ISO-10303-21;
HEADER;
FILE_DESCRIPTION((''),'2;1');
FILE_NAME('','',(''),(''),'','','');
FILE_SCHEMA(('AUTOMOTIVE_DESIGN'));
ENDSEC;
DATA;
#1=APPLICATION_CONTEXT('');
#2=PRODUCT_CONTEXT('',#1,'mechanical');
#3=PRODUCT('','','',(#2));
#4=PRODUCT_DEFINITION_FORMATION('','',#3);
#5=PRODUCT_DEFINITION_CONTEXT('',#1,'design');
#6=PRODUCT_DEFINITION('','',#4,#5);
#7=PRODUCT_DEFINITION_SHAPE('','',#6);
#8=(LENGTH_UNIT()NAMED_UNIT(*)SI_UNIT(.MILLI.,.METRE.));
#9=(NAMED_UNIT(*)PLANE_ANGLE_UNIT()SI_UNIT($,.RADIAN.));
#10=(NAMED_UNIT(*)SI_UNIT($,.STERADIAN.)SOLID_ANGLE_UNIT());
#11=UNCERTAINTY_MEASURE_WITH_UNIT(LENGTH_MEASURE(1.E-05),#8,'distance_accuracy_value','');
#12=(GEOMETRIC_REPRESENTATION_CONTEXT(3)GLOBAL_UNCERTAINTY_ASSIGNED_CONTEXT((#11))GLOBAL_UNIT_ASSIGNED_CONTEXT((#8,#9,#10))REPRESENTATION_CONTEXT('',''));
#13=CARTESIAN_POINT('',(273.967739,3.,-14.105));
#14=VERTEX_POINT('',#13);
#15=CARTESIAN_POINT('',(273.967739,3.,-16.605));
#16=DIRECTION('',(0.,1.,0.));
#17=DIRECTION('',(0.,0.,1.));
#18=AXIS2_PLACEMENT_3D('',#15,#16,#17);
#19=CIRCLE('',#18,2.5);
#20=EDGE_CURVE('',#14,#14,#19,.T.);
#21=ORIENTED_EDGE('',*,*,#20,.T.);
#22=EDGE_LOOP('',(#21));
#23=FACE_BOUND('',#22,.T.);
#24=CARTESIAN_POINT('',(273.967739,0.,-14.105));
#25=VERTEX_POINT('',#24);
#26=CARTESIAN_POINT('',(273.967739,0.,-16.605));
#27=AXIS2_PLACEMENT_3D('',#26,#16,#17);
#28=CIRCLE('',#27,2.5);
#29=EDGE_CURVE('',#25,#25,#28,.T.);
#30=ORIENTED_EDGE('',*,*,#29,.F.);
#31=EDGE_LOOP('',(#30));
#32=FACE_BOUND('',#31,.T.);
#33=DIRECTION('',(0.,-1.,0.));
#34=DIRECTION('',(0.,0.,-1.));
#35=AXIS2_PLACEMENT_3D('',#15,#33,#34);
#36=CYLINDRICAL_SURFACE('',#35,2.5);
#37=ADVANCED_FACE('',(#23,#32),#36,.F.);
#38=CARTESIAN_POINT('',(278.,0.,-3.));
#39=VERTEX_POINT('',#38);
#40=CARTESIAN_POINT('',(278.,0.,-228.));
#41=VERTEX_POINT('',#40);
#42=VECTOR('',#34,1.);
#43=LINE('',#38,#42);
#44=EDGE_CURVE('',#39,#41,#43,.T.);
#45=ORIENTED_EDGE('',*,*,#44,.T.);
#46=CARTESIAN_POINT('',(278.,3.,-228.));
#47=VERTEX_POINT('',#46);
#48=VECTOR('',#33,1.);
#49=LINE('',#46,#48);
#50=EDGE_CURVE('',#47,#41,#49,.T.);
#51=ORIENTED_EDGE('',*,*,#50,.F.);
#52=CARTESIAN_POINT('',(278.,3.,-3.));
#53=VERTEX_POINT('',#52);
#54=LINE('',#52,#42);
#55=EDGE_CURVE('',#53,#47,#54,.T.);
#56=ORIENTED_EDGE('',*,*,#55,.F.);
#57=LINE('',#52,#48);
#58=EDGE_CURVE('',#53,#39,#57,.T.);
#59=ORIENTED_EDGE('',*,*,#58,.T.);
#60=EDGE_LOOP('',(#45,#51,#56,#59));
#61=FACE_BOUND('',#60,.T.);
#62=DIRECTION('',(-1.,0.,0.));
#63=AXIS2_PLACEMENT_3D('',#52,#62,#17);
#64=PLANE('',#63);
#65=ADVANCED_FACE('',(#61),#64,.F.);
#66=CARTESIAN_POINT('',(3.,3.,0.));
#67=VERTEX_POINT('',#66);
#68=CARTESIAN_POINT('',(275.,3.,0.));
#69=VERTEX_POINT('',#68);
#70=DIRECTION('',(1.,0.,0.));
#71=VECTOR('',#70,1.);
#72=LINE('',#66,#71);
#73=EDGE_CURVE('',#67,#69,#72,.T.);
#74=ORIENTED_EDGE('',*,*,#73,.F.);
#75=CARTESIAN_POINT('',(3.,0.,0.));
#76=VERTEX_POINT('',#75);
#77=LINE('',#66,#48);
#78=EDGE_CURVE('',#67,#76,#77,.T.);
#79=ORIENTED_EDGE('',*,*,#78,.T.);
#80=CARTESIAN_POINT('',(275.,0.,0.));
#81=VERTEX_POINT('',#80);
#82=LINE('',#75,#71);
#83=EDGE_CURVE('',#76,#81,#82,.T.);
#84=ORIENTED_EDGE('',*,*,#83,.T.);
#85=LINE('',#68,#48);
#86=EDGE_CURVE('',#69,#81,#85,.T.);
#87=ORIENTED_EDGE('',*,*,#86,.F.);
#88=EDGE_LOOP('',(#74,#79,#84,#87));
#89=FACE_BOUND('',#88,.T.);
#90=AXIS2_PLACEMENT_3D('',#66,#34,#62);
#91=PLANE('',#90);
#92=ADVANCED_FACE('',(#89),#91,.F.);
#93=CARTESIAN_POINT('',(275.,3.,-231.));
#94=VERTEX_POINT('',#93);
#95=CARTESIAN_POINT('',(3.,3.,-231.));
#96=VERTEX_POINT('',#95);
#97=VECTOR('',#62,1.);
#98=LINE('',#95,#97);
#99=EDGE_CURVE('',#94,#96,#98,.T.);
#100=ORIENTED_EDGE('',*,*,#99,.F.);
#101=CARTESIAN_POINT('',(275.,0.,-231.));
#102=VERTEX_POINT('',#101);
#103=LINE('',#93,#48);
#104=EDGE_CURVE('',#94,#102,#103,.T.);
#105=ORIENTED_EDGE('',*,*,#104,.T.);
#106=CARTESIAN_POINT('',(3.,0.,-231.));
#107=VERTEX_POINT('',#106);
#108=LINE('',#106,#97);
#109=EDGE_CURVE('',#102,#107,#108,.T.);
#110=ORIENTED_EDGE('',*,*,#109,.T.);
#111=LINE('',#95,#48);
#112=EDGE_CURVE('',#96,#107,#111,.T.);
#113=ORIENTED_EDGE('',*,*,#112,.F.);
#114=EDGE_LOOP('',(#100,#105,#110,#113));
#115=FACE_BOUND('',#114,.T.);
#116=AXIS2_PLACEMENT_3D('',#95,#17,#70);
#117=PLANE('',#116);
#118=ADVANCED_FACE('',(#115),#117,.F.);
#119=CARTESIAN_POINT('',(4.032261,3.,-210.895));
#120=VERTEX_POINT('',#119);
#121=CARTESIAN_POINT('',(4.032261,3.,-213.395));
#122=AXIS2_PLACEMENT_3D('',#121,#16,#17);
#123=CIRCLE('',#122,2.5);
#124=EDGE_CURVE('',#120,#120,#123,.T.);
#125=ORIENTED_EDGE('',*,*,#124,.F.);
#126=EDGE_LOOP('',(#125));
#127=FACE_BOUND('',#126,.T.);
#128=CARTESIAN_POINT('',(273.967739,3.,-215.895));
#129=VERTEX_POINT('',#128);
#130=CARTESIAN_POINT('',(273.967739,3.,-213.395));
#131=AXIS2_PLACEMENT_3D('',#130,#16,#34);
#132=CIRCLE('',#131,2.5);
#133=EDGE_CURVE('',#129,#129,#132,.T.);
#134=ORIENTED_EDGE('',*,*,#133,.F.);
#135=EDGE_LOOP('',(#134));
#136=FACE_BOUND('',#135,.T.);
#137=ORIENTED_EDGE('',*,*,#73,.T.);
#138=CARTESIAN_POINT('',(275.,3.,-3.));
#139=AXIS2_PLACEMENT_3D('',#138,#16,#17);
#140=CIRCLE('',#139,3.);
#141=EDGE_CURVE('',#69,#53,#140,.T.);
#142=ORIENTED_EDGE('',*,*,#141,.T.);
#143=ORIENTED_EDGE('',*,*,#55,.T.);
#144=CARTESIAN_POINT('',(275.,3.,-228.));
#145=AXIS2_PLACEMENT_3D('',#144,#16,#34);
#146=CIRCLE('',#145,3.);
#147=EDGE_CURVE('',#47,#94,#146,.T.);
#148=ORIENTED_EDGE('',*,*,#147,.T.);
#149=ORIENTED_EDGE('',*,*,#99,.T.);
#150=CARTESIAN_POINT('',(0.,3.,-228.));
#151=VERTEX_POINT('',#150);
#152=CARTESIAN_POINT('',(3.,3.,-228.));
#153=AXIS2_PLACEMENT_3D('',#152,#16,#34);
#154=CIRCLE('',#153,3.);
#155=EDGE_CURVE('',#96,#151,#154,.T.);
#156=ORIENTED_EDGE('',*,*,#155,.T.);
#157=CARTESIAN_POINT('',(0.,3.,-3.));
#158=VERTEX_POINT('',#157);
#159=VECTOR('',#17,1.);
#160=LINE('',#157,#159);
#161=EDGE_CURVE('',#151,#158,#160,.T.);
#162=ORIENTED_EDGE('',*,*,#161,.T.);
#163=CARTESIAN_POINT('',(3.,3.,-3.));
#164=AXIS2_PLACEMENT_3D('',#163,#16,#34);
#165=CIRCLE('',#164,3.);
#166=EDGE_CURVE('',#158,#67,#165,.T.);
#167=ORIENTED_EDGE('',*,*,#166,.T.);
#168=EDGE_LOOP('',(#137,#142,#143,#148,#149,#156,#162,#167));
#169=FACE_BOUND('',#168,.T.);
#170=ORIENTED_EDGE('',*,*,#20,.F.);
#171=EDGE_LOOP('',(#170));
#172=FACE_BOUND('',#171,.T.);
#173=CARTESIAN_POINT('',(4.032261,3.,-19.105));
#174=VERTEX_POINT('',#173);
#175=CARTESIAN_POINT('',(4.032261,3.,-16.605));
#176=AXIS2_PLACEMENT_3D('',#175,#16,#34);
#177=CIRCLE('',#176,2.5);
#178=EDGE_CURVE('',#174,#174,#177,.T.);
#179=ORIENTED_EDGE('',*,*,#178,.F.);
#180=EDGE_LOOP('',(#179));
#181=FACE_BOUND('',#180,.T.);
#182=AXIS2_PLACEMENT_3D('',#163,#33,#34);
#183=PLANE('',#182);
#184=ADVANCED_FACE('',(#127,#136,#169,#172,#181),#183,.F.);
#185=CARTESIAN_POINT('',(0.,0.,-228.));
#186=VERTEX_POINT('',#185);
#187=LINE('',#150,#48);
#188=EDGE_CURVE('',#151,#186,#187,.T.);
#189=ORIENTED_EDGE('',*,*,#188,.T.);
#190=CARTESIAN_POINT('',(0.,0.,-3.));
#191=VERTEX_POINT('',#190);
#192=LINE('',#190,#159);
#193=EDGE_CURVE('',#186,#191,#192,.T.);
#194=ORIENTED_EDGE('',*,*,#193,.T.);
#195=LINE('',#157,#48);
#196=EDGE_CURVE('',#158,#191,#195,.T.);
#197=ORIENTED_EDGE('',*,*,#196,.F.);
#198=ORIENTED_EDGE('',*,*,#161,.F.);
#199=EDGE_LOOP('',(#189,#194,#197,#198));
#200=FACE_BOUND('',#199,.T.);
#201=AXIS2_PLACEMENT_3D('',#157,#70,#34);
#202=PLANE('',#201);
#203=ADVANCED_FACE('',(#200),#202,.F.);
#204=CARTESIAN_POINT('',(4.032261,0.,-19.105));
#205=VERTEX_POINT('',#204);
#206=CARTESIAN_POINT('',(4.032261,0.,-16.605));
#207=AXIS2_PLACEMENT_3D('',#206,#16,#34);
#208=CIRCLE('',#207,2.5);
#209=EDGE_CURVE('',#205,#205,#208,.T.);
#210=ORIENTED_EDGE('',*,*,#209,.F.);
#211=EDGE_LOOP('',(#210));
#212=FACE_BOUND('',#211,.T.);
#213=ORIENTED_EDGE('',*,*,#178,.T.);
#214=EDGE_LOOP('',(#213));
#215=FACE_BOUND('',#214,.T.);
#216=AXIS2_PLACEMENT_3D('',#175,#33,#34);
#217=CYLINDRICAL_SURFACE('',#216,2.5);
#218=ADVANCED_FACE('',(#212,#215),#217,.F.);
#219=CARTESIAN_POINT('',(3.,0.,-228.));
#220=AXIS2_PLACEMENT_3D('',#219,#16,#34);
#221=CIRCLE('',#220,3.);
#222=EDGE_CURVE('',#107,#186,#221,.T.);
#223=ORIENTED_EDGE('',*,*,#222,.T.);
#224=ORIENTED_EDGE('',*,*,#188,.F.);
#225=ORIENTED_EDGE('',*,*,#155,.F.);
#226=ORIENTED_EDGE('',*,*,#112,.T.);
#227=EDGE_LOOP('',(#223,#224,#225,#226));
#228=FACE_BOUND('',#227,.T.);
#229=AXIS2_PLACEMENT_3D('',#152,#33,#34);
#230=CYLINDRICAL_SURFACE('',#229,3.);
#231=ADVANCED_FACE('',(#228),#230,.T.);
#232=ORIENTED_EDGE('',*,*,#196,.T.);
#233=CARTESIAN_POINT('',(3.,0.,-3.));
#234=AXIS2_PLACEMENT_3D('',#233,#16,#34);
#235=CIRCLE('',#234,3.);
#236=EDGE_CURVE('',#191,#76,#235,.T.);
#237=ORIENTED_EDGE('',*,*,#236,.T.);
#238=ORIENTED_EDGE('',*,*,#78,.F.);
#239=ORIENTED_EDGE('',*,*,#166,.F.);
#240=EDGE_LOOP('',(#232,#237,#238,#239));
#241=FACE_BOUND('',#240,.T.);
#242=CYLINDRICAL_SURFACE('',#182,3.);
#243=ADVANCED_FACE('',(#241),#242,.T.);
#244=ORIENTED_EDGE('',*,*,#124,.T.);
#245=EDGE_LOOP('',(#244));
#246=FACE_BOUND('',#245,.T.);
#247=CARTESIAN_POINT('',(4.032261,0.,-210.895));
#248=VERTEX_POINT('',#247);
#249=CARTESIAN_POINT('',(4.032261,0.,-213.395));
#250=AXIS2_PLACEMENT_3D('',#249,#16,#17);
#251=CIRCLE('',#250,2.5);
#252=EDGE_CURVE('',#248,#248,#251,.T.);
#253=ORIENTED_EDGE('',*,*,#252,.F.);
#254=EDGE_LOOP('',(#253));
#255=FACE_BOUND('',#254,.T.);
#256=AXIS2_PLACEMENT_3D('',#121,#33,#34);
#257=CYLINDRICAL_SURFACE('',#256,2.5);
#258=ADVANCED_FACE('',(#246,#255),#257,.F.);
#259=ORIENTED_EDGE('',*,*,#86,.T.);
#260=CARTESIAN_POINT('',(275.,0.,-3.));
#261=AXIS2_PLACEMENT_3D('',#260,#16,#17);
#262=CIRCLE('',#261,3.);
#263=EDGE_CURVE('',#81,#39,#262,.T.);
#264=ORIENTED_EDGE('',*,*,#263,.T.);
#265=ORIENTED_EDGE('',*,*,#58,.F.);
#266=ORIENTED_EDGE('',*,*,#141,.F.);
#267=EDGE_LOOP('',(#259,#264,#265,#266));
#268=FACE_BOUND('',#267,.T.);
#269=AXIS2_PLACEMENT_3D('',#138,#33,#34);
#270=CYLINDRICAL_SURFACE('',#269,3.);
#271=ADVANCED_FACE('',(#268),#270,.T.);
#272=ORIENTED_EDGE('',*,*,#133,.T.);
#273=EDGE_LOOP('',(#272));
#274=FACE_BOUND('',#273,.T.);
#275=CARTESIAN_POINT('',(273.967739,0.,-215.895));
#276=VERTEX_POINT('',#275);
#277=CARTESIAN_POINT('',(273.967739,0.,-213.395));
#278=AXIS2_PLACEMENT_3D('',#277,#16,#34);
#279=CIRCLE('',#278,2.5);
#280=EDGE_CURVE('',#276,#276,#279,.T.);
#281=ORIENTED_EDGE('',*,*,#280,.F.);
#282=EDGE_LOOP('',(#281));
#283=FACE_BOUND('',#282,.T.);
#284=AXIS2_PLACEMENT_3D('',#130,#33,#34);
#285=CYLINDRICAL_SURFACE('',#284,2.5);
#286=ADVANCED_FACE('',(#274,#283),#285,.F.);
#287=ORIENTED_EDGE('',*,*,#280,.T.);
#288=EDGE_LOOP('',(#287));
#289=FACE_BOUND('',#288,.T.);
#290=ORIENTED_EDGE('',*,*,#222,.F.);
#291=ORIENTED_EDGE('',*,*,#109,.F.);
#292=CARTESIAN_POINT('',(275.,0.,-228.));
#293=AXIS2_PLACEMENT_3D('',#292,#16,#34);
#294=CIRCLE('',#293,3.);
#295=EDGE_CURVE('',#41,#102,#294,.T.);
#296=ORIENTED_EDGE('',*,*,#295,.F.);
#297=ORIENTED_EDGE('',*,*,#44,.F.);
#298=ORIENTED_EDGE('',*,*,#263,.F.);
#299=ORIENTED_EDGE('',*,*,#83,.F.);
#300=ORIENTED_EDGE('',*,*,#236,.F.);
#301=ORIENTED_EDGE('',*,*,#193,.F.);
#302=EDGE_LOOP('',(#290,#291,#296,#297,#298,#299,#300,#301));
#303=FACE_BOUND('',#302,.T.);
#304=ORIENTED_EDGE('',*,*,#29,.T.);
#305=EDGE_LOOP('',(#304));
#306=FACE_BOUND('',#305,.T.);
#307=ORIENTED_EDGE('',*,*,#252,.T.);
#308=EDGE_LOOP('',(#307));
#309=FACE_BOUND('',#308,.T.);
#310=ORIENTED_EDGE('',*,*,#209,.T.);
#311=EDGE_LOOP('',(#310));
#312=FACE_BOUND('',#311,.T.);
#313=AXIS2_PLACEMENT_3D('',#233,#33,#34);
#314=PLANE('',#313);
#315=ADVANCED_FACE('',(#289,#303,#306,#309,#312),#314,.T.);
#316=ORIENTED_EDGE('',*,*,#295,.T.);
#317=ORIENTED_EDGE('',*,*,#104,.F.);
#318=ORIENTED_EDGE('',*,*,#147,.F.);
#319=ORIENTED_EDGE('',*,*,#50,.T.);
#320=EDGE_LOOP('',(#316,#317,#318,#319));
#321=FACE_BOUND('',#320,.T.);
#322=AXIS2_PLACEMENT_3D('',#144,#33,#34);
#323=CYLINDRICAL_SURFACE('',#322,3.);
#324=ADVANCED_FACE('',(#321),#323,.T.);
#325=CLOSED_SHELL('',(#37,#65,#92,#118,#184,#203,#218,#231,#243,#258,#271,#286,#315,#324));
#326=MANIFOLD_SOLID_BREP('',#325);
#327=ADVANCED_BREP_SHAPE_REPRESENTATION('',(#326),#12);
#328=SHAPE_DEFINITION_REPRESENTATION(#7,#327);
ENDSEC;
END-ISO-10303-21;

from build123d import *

# Parameters (mm, degrees)
SKETCH1_R           = 2.5
BOSS_EXTRUDE1_DEPTH = 3


with BuildPart() as part:
    # Sketch1 → Boss-Extrude1 (new body)
    with BuildSketch(Plane(origin=(0, 0, 0), x_dir=(1, 0, 0), z_dir=(0, 1, 0))):
        with BuildLine():
            Line((3, 0), (275, 0))
            ThreePointArc((275, 0), (277.121320344, 0.878679656), (278, 3))
            Line((278, 3), (278, 228))
            ThreePointArc((278, 228), (277.121320344, 230.121320344), (275, 231))
            Line((275, 231), (3, 231))
            ThreePointArc((3, 231), (0.878679656, 230.121320344), (0, 228))
            Line((0, 228), (0, 3))
            ThreePointArc((0, 3), (0.878679656, 0.878679656), (3, 0))
        make_face()
        with Locations((4.032261323, 213.395)):
            Circle(SKETCH1_R, mode=Mode.SUBTRACT)
        with Locations((4.032261323, 16.605)):
            Circle(SKETCH1_R, mode=Mode.SUBTRACT)
        with Locations((273.967738677, 16.605)):
            Circle(SKETCH1_R, mode=Mode.SUBTRACT)
        with Locations((273.967738677, 213.395)):
            Circle(SKETCH1_R, mode=Mode.SUBTRACT)
    extrude(amount=BOSS_EXTRUDE1_DEPTH)


solid = part.part
